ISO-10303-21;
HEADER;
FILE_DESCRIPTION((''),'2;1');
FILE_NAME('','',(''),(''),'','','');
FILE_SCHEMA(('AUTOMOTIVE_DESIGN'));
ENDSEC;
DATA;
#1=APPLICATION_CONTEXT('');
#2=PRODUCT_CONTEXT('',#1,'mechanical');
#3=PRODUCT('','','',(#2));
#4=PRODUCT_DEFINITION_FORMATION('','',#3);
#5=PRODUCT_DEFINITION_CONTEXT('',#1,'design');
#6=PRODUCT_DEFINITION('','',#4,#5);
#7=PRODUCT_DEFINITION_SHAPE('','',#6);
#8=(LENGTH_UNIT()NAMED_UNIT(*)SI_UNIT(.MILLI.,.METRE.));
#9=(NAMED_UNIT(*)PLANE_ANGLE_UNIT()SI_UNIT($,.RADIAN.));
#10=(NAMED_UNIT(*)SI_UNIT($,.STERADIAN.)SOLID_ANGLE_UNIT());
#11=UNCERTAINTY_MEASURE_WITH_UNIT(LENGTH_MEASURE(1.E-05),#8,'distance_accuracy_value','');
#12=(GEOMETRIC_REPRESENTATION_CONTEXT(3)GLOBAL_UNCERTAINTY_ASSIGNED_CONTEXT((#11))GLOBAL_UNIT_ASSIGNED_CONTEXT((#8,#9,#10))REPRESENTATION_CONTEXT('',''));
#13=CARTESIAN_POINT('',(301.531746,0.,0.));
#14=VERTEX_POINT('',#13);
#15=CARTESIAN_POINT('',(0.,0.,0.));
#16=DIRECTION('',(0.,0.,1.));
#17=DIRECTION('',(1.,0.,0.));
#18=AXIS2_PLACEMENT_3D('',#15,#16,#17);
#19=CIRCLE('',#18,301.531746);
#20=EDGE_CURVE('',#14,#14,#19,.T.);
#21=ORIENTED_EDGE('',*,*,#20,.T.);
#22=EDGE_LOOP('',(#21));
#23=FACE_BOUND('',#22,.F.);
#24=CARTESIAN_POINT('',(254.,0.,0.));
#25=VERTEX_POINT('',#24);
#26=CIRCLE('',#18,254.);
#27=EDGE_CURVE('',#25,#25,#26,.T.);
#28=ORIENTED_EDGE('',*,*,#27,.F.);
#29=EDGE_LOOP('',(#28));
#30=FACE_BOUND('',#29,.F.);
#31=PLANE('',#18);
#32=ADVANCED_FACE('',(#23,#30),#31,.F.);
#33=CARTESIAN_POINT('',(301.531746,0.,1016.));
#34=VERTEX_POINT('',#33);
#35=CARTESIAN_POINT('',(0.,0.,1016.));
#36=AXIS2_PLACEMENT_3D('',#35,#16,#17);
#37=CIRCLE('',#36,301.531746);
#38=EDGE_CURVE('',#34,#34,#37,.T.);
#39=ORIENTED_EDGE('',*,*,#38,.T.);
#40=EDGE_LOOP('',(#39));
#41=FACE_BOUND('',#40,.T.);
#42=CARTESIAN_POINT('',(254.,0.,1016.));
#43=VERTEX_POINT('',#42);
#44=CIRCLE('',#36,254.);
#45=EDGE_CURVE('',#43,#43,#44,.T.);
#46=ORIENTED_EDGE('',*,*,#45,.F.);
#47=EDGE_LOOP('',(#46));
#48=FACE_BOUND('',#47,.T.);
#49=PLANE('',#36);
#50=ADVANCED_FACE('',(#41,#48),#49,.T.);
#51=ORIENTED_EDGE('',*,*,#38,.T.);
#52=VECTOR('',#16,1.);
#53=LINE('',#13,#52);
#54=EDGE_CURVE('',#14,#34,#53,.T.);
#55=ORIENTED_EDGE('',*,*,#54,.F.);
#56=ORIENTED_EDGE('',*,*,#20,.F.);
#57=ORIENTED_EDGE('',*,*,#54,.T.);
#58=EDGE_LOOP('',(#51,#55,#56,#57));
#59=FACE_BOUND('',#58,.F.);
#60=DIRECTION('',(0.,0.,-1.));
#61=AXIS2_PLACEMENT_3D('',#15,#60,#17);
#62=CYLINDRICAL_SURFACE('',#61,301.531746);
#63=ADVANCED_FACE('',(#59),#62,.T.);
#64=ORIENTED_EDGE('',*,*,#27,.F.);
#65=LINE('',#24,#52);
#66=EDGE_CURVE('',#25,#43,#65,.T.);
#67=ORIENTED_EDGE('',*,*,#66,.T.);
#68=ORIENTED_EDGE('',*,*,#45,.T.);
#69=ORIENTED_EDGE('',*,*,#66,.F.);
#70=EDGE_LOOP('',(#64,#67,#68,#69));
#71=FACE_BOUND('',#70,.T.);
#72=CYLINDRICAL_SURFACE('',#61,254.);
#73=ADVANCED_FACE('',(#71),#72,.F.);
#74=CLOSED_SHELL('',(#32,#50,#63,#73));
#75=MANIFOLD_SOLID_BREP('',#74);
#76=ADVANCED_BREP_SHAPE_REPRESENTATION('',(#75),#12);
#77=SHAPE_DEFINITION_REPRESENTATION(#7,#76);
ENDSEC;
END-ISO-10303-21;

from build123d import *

# Parameters (mm, degrees)
F1_R     = 301.531746
F1_R_2   = 254
F2_DEPTH = 1016


with BuildPart() as f2:
    # F1 (on face) → F2 (new body)
    with BuildSketch(Plane.XY):
        Circle(F1_R)
        Circle(F1_R_2, mode=Mode.SUBTRACT)
    extrude(amount=F2_DEPTH)


solid = f2.part
